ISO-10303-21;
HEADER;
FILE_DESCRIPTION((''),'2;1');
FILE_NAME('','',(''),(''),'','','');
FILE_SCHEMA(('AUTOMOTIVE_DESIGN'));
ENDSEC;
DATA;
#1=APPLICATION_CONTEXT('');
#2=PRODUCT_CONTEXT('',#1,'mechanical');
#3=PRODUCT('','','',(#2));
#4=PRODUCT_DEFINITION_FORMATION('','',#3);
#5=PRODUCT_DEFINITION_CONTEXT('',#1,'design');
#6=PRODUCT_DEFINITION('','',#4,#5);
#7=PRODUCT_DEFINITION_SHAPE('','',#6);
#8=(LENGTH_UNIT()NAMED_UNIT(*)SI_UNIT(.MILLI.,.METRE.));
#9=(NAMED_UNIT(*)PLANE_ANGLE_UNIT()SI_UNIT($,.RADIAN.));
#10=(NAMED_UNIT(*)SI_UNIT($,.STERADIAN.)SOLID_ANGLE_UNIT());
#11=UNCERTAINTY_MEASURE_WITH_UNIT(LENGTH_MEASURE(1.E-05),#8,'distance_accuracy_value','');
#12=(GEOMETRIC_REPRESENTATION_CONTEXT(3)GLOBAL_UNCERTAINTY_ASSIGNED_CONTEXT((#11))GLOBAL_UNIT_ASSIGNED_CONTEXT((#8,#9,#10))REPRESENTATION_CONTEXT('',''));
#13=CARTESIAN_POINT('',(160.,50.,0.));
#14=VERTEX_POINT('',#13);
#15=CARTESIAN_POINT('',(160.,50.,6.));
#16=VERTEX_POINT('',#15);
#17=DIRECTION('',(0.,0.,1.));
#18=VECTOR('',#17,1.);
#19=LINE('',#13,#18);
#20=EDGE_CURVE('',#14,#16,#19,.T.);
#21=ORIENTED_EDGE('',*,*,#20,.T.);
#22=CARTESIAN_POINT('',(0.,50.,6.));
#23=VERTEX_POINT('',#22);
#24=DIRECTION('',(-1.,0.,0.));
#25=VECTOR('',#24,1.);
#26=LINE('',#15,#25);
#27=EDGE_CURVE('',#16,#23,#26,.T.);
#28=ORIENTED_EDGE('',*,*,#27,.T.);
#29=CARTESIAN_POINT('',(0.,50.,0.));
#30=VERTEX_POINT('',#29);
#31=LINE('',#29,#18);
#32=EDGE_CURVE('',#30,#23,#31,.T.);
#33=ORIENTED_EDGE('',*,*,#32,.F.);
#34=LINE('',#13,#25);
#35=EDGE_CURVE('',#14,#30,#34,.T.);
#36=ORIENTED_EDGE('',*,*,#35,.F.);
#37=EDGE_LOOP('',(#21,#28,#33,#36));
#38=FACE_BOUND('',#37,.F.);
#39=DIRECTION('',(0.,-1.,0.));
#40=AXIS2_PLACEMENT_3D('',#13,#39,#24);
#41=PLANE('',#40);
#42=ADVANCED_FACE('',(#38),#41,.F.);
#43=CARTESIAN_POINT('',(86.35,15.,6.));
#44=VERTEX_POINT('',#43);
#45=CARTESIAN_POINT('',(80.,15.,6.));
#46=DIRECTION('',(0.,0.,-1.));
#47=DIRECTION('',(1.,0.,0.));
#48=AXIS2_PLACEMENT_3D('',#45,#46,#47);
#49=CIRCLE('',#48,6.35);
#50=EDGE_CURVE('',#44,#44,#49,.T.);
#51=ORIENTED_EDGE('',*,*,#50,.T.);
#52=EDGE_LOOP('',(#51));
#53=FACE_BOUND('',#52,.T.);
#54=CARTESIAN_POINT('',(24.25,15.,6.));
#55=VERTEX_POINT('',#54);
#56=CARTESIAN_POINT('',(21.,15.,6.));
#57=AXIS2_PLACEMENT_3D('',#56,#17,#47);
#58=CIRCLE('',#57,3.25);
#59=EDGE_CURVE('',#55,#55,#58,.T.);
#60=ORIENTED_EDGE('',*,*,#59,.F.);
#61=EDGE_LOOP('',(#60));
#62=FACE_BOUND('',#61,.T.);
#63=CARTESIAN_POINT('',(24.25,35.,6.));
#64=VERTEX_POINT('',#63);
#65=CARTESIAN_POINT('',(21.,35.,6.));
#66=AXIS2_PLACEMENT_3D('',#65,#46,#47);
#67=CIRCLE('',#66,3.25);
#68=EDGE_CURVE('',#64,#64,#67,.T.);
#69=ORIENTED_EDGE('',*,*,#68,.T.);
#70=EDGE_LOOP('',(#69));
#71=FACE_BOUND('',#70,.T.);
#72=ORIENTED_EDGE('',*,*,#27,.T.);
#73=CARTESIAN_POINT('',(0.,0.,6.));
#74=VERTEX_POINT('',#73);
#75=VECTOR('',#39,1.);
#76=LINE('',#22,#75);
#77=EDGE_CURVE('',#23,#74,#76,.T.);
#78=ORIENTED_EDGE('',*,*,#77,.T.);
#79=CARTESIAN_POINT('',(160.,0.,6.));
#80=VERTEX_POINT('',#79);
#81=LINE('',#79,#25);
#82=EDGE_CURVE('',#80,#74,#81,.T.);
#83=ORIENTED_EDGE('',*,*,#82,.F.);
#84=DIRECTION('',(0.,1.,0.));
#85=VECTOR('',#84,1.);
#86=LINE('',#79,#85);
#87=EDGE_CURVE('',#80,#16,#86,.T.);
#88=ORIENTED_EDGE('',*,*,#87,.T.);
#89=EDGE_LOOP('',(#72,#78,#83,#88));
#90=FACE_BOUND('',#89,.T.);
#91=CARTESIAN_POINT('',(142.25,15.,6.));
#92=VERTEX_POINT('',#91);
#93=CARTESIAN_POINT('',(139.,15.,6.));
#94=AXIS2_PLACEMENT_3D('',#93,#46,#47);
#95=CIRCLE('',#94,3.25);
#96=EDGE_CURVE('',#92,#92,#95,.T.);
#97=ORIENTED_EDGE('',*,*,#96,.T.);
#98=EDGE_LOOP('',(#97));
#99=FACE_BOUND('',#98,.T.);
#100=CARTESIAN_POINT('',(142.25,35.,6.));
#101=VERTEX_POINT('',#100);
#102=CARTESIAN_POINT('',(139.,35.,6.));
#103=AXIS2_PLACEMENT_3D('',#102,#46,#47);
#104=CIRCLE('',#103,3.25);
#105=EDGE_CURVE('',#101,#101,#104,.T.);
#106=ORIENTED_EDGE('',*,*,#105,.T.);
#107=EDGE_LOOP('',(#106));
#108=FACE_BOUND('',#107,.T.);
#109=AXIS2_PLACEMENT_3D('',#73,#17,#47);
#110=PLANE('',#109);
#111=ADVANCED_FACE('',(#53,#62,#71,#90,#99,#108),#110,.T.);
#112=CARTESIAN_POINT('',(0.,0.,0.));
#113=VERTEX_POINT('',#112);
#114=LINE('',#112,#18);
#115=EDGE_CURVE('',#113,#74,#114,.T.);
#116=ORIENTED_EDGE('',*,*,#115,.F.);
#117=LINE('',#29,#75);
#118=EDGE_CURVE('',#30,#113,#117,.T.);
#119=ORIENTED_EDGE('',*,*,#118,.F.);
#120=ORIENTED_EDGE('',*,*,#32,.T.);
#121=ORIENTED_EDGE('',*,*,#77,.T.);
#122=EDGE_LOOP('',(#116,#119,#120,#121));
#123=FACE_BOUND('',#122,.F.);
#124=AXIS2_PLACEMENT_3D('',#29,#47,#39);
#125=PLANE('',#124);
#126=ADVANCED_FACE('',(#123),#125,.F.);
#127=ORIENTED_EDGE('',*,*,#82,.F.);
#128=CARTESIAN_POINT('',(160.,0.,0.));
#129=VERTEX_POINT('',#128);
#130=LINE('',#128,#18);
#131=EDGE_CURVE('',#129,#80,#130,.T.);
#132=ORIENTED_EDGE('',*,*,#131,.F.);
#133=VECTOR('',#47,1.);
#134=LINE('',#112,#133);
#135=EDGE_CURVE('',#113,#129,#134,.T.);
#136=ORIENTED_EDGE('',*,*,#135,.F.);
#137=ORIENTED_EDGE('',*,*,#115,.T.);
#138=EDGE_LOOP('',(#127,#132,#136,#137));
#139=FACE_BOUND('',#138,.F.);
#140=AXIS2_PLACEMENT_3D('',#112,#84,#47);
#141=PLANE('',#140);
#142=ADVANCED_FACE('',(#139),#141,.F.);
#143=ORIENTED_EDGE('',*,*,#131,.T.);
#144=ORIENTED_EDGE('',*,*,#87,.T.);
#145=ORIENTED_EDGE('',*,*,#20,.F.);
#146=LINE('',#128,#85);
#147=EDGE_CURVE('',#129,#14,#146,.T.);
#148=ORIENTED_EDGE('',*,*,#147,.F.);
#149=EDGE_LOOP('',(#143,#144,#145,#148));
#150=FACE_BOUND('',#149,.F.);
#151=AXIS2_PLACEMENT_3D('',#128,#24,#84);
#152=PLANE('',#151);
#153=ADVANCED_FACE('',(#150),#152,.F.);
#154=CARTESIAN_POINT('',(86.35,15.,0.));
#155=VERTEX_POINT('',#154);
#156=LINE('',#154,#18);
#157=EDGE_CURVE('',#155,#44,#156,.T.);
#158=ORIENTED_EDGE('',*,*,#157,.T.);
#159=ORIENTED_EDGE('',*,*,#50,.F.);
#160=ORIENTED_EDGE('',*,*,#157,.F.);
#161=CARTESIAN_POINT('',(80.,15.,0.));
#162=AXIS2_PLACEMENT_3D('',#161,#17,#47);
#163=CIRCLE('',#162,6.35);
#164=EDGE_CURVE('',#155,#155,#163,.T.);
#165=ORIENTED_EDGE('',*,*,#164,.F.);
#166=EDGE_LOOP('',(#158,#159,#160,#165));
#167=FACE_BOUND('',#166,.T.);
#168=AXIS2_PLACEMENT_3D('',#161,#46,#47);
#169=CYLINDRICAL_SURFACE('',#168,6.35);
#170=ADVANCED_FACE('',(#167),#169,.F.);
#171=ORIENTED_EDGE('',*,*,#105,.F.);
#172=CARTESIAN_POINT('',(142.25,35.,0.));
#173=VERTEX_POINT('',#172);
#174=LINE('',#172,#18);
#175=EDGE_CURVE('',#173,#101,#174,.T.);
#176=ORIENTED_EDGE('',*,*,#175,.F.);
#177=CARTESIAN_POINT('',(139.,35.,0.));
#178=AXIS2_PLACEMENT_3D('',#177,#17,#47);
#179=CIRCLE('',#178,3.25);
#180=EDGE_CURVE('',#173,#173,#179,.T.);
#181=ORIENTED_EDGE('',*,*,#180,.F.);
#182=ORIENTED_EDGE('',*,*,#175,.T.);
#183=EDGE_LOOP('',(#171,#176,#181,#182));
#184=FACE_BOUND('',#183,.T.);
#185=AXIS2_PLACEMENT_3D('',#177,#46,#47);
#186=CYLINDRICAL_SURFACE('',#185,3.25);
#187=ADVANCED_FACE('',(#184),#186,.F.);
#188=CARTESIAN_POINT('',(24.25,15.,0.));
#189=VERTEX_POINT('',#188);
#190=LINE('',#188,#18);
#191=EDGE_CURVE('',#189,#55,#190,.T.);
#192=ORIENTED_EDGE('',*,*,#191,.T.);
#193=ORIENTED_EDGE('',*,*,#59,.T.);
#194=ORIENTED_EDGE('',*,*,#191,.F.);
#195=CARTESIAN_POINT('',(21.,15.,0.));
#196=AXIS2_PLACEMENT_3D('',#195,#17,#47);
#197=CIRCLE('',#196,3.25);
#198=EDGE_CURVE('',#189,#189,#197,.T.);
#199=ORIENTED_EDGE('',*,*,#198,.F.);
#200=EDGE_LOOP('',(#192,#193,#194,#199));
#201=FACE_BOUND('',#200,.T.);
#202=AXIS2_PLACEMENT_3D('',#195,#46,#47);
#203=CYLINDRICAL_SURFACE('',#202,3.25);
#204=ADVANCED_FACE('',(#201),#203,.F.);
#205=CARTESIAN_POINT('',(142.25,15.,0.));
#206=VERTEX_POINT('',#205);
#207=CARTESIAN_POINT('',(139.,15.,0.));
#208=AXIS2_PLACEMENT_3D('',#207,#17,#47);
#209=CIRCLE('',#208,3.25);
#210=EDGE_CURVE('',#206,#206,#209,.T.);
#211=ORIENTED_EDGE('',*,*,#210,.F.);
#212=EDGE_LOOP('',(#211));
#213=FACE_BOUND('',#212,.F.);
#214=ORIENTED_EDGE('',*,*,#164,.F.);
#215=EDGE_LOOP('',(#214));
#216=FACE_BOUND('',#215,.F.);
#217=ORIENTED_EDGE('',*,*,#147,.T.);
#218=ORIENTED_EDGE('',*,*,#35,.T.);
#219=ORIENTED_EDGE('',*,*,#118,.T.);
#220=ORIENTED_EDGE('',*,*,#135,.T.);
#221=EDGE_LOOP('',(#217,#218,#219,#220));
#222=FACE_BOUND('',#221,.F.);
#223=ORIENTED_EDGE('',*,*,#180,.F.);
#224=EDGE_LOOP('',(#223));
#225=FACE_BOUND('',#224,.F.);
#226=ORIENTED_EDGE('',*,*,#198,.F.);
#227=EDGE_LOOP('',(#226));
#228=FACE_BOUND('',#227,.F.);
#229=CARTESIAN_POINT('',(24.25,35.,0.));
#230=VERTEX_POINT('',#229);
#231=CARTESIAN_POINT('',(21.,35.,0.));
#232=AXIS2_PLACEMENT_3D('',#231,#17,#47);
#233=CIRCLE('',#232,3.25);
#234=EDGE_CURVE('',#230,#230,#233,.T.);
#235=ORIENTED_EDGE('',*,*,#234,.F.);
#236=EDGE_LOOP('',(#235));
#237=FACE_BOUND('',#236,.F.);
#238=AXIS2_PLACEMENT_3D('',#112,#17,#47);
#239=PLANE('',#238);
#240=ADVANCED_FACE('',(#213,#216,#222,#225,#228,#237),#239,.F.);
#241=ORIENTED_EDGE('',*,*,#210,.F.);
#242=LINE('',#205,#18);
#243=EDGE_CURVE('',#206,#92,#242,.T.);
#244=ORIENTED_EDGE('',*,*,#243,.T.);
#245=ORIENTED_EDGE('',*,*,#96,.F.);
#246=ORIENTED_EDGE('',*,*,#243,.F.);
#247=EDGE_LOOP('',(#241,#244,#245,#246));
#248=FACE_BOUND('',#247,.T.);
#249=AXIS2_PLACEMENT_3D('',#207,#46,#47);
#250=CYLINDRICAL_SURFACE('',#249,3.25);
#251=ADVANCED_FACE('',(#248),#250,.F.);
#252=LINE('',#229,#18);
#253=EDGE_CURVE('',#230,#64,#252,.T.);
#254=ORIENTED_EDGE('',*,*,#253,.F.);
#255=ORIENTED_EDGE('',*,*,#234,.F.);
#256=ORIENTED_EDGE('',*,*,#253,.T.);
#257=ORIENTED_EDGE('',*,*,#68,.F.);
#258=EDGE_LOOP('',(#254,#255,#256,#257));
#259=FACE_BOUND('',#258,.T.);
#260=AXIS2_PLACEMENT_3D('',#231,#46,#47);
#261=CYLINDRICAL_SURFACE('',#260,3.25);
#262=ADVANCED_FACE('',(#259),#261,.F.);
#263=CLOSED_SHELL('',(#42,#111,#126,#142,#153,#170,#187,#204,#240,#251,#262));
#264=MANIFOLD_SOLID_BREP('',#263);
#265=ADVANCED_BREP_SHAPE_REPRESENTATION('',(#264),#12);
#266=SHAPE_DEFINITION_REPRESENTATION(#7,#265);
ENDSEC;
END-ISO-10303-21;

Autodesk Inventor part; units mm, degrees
ref_plane "YZ Plane" through (0, 0, 0) normal (1, 0, 0) x (0, 1, 0)
ref_plane "XZ Plane" through (0, 0, 0) normal (0, 1, 0) x (-1, 0, 0)
ref_plane "XY Plane" through (0, 0, 0) normal (0, 0, 1) x (1, 0, 0)
sketch "Sketch1" plane through (0, 0, 0) normal (0, 0, 1) x (1, 0, 0)
  line L0 (0, 0) -> (160, 0)
  line L1 (160, 0) -> (160, 50)
  line L2 (160, 50) -> (0, 50)
  line L3 (0, 50) -> (0, 0)
  line L4 (0, 0) -> (21, 0)
  circle A0 centre (21, 35) radius 3.25
  circle A1 centre (21, 15) radius 3.25
  circle A2 centre (139, 15) radius 3.25
  circle A3 centre (139, 35) radius 3.25
  circle A4 centre (80, 15) radius 6.35
  point P0 (80, 25)
  point P1 (80, 25)
  point P2 (80, 50)
  dimension "d0" = 160
  dimension "d1" = 50
  dimension "d2" = 21
  dimension "d5" = 6.5
  dimension "d6" = 6.5
  dimension "d13" = 20
  dimension "d14" = 15
  dimension "d15" = 21
  dimension "d19" = 360
  dimension "d23" = 80
  dimension "d24" = 12.7
  dimension "d25" = 35
extrude "Extrusion1" add sketch "Sketch1" along normal blind 6 contours L3 L2 L1 L0 | A0 | A2 | A3 | A4
extrude "Extrusion3" cut sketch "Sketch1" along normal blind 10 contours A0 | A2 | A3 | A4
sketch "Sketch4" plane through (0, 50, 0) normal (0, 1, 0) x (1, 0, 0)
  point P0 (0, 0)
properties part number "support plate 2"
